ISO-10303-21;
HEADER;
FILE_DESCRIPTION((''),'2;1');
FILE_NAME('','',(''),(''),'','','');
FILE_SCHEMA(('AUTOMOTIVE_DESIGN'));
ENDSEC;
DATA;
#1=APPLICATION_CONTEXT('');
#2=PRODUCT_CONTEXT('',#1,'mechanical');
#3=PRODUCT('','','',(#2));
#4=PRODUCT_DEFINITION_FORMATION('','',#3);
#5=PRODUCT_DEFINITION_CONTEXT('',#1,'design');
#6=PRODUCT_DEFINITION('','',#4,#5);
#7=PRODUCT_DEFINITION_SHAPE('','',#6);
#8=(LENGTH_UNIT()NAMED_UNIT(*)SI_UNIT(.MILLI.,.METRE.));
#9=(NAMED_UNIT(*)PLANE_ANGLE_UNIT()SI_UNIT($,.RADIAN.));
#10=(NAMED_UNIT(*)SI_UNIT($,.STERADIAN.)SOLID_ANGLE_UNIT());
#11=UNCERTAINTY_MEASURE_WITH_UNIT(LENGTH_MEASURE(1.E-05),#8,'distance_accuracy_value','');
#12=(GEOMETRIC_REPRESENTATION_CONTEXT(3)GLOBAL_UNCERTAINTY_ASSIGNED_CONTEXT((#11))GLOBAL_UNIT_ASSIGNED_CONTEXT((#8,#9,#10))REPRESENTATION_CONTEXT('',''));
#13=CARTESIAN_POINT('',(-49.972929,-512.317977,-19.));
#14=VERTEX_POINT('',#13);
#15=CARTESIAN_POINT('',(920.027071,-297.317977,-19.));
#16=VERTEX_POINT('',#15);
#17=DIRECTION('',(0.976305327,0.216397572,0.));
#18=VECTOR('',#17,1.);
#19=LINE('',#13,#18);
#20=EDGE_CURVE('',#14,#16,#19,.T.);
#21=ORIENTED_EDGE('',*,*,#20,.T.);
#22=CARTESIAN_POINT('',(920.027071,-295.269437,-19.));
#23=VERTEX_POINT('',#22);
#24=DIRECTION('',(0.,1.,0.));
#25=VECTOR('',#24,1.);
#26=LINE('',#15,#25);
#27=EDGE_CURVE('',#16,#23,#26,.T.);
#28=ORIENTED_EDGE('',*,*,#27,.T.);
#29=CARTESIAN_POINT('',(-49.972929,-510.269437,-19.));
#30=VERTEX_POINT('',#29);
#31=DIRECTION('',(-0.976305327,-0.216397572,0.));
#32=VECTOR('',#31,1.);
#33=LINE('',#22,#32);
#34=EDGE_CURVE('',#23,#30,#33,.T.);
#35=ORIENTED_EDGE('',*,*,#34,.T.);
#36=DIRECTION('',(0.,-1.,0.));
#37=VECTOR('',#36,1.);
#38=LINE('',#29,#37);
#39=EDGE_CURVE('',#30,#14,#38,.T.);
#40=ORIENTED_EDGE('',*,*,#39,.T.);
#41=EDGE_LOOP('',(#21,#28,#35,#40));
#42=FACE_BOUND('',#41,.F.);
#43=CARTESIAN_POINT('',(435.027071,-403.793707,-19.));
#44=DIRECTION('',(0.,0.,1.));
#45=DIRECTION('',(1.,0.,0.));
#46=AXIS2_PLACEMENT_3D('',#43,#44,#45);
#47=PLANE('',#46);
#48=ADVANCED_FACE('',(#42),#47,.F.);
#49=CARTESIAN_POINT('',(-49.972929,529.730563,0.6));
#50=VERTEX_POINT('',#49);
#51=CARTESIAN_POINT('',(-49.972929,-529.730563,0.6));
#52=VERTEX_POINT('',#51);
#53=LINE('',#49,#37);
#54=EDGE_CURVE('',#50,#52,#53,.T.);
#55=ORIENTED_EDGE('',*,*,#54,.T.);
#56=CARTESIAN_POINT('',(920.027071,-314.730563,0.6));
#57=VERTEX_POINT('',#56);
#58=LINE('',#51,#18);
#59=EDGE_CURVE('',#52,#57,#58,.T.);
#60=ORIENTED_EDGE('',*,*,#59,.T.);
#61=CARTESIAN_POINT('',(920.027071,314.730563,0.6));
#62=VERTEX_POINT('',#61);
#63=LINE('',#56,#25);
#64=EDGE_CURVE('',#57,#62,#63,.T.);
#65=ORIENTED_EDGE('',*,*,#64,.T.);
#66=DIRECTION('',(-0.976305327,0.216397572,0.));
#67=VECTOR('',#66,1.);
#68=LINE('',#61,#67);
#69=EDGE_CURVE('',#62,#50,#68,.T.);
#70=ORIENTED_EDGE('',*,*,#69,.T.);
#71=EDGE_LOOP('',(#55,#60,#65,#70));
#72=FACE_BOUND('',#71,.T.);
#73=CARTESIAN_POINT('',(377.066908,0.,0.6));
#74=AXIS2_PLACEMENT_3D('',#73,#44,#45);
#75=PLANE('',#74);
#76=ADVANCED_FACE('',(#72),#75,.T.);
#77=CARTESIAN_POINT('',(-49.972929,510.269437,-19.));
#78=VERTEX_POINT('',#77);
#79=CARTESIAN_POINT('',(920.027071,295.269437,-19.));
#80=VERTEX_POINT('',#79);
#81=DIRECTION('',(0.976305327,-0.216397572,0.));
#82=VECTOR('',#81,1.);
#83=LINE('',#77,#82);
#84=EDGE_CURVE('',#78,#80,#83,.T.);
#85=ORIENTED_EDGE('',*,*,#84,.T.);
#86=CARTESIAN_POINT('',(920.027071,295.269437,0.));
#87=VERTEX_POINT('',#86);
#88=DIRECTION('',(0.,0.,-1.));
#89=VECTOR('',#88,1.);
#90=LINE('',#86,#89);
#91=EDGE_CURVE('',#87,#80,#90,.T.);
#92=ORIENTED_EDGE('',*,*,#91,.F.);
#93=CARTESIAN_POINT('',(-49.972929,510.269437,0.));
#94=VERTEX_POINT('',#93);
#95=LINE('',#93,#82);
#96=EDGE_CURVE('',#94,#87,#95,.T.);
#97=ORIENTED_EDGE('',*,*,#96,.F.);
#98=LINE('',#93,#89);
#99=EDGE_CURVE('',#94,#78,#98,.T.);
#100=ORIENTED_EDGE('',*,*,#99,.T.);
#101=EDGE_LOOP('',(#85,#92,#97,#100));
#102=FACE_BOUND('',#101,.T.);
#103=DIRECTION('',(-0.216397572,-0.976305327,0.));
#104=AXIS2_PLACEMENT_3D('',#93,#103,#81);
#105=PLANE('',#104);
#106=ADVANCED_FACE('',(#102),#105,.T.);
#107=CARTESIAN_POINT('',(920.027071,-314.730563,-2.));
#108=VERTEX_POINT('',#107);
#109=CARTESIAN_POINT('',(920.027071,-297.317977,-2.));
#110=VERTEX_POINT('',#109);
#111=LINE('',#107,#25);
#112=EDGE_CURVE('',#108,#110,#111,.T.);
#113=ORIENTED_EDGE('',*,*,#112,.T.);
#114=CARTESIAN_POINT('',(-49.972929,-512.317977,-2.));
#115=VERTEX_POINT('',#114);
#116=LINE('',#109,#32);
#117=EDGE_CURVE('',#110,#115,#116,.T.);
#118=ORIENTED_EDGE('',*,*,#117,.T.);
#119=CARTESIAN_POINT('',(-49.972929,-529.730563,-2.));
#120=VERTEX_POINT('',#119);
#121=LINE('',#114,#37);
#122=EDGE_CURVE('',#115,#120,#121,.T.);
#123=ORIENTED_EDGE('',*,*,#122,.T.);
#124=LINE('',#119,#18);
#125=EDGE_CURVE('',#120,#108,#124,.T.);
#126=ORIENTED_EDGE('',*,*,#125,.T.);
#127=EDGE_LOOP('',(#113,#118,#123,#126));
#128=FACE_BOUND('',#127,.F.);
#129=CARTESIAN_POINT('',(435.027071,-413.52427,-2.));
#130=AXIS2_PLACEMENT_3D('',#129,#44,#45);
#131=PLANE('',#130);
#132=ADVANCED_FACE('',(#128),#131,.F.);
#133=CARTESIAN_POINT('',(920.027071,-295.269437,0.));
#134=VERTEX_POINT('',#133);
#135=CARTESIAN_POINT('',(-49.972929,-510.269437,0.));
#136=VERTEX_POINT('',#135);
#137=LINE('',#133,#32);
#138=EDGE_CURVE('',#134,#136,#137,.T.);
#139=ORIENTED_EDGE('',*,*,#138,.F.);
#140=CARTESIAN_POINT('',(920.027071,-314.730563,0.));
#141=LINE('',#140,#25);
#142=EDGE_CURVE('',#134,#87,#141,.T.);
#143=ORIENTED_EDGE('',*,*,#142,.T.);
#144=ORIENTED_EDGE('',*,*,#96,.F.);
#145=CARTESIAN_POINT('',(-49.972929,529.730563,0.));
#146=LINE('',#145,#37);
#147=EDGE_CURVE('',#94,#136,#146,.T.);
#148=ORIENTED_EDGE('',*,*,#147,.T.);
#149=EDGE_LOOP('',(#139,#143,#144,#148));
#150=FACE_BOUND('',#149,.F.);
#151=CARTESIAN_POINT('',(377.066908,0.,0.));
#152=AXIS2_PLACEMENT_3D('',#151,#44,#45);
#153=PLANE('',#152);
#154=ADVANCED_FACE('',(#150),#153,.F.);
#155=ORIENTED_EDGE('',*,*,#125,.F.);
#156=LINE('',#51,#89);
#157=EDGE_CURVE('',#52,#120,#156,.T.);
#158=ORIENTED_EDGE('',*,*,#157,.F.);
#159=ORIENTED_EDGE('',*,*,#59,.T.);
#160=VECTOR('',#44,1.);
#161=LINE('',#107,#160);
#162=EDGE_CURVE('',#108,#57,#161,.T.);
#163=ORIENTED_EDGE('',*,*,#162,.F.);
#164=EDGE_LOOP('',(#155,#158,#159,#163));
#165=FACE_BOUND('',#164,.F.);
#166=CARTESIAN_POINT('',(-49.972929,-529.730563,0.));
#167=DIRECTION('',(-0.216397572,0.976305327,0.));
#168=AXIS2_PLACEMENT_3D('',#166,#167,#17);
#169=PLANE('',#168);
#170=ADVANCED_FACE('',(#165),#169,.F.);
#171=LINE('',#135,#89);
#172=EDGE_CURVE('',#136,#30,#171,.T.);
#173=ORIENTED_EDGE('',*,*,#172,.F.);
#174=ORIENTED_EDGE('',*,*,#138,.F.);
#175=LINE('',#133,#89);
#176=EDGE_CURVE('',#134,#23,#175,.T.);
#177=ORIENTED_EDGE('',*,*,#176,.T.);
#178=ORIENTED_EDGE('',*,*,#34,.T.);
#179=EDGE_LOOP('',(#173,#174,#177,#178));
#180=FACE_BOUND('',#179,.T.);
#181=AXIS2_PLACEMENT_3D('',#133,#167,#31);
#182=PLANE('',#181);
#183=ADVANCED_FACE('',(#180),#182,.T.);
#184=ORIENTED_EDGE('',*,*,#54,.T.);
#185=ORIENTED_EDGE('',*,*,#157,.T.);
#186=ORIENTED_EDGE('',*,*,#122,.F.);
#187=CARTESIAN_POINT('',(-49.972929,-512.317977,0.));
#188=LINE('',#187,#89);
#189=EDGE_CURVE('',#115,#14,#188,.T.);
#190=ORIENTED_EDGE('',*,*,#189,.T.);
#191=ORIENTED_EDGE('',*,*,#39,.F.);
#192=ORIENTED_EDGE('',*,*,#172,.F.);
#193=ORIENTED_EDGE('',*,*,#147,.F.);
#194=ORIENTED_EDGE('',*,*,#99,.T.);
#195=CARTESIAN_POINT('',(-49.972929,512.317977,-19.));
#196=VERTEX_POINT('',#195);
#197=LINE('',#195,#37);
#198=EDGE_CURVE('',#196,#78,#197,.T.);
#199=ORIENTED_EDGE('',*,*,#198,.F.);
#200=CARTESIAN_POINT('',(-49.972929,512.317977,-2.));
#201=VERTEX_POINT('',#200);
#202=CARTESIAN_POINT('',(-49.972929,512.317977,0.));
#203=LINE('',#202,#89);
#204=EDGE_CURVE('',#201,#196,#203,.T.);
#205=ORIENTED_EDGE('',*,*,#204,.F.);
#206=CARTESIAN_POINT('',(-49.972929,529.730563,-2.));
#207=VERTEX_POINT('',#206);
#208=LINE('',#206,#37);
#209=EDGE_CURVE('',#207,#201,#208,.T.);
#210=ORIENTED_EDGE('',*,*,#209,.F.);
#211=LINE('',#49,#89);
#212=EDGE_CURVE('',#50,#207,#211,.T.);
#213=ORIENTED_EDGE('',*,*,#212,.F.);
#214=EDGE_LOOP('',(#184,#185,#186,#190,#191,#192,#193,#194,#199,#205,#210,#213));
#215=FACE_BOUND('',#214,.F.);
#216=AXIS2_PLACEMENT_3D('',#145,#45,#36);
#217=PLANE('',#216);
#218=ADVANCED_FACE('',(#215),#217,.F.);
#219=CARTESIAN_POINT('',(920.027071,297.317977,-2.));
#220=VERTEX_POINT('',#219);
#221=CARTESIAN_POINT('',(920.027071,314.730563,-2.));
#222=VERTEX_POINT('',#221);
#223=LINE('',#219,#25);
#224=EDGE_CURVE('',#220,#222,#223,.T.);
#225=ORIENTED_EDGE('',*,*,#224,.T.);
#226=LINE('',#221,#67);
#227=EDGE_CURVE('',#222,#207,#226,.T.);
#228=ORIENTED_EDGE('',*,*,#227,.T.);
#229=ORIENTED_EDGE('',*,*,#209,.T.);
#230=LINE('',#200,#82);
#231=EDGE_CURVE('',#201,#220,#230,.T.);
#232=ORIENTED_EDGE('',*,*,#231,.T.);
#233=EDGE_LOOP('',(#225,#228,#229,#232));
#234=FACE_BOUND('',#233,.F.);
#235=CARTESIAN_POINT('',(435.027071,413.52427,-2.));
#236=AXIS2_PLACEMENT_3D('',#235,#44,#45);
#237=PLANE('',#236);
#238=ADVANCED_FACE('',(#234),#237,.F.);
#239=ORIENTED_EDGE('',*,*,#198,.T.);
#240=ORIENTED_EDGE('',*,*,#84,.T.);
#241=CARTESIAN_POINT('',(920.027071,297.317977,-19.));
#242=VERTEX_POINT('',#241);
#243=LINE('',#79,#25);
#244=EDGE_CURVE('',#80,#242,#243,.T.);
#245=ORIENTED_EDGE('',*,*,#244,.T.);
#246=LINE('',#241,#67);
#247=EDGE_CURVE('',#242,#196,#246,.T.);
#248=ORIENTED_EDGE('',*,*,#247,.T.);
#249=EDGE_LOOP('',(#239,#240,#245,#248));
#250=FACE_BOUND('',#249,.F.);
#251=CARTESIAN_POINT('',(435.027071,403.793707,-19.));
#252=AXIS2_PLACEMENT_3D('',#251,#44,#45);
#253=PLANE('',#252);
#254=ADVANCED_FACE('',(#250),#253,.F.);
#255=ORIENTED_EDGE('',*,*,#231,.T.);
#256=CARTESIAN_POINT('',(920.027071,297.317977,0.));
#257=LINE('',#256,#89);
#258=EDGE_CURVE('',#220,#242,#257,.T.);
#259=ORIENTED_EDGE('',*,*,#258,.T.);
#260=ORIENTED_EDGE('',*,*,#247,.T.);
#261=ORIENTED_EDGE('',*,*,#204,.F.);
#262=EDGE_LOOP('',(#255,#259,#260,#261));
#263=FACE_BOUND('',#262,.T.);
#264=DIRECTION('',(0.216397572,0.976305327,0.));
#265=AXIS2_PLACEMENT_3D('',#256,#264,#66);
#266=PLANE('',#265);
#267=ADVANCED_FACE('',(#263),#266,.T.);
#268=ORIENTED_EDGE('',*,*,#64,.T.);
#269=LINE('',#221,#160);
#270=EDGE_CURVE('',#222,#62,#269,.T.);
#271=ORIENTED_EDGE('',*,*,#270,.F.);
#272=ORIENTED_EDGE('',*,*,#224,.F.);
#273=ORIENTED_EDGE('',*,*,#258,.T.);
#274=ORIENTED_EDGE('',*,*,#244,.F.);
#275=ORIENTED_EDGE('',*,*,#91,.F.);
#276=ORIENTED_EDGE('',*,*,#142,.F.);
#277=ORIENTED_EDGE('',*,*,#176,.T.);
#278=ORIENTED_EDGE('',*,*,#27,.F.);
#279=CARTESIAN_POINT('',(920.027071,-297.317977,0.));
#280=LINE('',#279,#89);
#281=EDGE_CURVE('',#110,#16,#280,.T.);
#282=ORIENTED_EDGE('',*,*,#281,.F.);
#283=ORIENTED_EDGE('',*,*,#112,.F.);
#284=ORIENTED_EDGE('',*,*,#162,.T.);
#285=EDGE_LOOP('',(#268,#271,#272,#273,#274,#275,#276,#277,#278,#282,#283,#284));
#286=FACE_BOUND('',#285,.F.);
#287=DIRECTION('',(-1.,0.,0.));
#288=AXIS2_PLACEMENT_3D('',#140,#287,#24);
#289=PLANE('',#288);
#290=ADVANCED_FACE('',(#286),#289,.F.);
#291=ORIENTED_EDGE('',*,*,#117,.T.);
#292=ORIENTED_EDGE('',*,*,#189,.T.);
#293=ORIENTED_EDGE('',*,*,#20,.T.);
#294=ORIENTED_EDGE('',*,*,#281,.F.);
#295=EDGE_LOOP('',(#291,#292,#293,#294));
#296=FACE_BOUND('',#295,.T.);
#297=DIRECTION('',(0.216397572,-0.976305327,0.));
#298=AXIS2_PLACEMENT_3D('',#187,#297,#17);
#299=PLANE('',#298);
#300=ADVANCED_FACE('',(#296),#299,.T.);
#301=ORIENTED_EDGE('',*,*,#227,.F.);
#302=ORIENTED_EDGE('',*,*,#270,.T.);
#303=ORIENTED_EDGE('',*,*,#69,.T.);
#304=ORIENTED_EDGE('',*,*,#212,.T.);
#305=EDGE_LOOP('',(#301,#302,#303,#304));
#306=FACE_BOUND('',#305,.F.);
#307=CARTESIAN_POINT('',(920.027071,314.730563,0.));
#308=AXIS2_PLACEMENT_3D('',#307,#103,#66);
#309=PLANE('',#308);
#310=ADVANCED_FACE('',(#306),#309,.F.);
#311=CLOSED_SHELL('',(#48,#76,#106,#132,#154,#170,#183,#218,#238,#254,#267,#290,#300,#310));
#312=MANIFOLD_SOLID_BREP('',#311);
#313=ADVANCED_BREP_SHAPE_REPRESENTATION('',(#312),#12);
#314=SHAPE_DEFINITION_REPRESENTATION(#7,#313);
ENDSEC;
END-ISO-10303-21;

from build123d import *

# Parameters (mm, degrees)
F1_DEPTH = 19
F2_DEPTH = 2
F3_DEPTH = 0.6


with BuildPart() as f1:
    # F0 (on Top) → F1 (new body)
    with BuildSketch(Plane.XY):
        Polygon((920.027071, -297.317977), (920.027071, -295.269437), (-49.972929, -510.269437), (-49.972929, -512.317977), align=None)
        Polygon((-49.972929, 510.269437), (920.027071, 295.269437), (920.027071, 297.317977), (-49.972929, 512.317977), align=None)
    extrude(amount=-F1_DEPTH)

    # F0 (on Top) → F2 (join)
    with BuildSketch(Plane.XY):
        Polygon((-49.972929, 512.317977), (920.027071, 297.317977), (920.027071, 305), (920.027071, 314.730563), (-49.972929, 529.730563), (-49.972929, 520), align=None)
        Polygon((920.027071, -305), (920.027071, -297.317977), (-49.972929, -512.317977), (-49.972929, -520), (-49.972929, -529.730563), (920.027071, -314.730563), align=None)
    extrude(amount=-F2_DEPTH)

    # F0 (on Top) → F3 (join)
    with BuildSketch(Plane.XY):
        Polygon((920.027071, -295.269437), (920.027071, 0), (920.027071, 295.269437), (-49.972929, 510.269437), (-49.972929, 0), (-49.972929, -510.269437), align=None)
        Polygon((920.027071, -297.317977), (920.027071, -295.269437), (-49.972929, -510.269437), (-49.972929, -512.317977), align=None)
        Polygon((920.027071, -305), (920.027071, -297.317977), (-49.972929, -512.317977), (-49.972929, -520), (-49.972929, -529.730563), (920.027071, -314.730563), align=None)
        Polygon((-49.972929, 510.269437), (920.027071, 295.269437), (920.027071, 297.317977), (-49.972929, 512.317977), align=None)
        Polygon((-49.972929, 512.317977), (920.027071, 297.317977), (920.027071, 305), (920.027071, 314.730563), (-49.972929, 529.730563), (-49.972929, 520), align=None)
    extrude(amount=F3_DEPTH)


solid = f1.part
